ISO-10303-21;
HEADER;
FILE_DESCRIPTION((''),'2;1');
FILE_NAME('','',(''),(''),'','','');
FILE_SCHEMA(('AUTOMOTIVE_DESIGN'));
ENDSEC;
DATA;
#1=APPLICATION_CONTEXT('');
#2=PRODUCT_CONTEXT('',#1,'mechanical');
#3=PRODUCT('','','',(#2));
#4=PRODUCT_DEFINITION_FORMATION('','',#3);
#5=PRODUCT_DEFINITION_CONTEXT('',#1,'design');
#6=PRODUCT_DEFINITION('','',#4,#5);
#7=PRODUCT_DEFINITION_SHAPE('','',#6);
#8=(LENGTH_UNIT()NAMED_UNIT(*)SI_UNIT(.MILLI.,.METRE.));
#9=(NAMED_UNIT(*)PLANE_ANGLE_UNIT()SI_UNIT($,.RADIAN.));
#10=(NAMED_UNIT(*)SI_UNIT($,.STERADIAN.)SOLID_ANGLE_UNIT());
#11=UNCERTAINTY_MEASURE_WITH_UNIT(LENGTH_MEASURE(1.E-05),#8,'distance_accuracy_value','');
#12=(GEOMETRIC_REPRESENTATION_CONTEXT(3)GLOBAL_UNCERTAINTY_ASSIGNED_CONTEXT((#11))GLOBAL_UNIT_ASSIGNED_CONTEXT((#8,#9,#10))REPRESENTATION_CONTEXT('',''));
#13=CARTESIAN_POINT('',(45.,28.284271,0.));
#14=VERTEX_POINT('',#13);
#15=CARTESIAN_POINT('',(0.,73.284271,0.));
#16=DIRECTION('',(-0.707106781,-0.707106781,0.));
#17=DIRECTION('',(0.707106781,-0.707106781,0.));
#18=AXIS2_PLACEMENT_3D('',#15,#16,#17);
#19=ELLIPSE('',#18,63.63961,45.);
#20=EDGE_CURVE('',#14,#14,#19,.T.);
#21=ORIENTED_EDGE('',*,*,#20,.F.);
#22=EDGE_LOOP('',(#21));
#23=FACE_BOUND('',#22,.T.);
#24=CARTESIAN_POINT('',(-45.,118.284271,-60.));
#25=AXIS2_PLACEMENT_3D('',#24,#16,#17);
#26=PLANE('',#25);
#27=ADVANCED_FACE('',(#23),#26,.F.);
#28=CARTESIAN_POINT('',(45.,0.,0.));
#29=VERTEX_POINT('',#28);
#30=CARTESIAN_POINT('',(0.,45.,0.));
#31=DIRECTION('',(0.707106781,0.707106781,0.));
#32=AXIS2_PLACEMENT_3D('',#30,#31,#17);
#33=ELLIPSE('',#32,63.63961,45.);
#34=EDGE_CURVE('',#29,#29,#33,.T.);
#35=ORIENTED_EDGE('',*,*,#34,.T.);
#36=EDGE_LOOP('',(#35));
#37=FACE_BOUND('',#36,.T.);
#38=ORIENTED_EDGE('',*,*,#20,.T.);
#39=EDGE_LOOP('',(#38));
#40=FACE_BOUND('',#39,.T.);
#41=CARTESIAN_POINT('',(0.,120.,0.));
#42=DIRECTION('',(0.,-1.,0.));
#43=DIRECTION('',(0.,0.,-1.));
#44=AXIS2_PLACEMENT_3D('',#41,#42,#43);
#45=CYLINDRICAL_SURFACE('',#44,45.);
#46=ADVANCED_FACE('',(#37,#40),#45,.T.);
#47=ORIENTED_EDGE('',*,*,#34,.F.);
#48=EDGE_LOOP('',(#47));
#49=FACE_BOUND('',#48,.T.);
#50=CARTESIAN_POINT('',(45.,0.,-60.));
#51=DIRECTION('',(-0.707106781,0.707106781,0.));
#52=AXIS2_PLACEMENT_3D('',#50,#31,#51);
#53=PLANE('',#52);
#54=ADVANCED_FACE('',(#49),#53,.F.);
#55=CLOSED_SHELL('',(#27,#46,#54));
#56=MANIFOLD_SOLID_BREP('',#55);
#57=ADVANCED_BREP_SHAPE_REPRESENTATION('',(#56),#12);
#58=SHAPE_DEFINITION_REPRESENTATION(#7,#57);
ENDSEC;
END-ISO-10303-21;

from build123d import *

# Parameters (mm, degrees)
ESQUISSE1_R             = 45
BOSS_EXTRU_1_DEPTH      = 120
ENL_V_MAT_EXTRU_1_DEPTH = 60


with BuildPart() as part:
    # Esquisse1 → Boss.-Extru.1 (new body)
    with BuildSketch(Plane(origin=(0, 0, 0), x_dir=(1, 0, 0), z_dir=(0, 1, 0))):
        with Locations(Location((0, 0, 0), (0, 0, 90))):
            Circle(ESQUISSE1_R)
    extrude(amount=BOSS_EXTRU_1_DEPTH)

    # Esquisse2 → Enlèv. mat.-Extru.1 (cut, symmetric)
    with BuildSketch(Plane.XY):
        Polygon((45, 0), (-45, 90), (-45, 0), align=None)
        Polygon((-45, 118.284271247), (45, 28.284271247), (45, 120), (-45, 120), align=None)
    extrude(amount=ENL_V_MAT_EXTRU_1_DEPTH, both=True, mode=Mode.SUBTRACT)


solid = part.part
